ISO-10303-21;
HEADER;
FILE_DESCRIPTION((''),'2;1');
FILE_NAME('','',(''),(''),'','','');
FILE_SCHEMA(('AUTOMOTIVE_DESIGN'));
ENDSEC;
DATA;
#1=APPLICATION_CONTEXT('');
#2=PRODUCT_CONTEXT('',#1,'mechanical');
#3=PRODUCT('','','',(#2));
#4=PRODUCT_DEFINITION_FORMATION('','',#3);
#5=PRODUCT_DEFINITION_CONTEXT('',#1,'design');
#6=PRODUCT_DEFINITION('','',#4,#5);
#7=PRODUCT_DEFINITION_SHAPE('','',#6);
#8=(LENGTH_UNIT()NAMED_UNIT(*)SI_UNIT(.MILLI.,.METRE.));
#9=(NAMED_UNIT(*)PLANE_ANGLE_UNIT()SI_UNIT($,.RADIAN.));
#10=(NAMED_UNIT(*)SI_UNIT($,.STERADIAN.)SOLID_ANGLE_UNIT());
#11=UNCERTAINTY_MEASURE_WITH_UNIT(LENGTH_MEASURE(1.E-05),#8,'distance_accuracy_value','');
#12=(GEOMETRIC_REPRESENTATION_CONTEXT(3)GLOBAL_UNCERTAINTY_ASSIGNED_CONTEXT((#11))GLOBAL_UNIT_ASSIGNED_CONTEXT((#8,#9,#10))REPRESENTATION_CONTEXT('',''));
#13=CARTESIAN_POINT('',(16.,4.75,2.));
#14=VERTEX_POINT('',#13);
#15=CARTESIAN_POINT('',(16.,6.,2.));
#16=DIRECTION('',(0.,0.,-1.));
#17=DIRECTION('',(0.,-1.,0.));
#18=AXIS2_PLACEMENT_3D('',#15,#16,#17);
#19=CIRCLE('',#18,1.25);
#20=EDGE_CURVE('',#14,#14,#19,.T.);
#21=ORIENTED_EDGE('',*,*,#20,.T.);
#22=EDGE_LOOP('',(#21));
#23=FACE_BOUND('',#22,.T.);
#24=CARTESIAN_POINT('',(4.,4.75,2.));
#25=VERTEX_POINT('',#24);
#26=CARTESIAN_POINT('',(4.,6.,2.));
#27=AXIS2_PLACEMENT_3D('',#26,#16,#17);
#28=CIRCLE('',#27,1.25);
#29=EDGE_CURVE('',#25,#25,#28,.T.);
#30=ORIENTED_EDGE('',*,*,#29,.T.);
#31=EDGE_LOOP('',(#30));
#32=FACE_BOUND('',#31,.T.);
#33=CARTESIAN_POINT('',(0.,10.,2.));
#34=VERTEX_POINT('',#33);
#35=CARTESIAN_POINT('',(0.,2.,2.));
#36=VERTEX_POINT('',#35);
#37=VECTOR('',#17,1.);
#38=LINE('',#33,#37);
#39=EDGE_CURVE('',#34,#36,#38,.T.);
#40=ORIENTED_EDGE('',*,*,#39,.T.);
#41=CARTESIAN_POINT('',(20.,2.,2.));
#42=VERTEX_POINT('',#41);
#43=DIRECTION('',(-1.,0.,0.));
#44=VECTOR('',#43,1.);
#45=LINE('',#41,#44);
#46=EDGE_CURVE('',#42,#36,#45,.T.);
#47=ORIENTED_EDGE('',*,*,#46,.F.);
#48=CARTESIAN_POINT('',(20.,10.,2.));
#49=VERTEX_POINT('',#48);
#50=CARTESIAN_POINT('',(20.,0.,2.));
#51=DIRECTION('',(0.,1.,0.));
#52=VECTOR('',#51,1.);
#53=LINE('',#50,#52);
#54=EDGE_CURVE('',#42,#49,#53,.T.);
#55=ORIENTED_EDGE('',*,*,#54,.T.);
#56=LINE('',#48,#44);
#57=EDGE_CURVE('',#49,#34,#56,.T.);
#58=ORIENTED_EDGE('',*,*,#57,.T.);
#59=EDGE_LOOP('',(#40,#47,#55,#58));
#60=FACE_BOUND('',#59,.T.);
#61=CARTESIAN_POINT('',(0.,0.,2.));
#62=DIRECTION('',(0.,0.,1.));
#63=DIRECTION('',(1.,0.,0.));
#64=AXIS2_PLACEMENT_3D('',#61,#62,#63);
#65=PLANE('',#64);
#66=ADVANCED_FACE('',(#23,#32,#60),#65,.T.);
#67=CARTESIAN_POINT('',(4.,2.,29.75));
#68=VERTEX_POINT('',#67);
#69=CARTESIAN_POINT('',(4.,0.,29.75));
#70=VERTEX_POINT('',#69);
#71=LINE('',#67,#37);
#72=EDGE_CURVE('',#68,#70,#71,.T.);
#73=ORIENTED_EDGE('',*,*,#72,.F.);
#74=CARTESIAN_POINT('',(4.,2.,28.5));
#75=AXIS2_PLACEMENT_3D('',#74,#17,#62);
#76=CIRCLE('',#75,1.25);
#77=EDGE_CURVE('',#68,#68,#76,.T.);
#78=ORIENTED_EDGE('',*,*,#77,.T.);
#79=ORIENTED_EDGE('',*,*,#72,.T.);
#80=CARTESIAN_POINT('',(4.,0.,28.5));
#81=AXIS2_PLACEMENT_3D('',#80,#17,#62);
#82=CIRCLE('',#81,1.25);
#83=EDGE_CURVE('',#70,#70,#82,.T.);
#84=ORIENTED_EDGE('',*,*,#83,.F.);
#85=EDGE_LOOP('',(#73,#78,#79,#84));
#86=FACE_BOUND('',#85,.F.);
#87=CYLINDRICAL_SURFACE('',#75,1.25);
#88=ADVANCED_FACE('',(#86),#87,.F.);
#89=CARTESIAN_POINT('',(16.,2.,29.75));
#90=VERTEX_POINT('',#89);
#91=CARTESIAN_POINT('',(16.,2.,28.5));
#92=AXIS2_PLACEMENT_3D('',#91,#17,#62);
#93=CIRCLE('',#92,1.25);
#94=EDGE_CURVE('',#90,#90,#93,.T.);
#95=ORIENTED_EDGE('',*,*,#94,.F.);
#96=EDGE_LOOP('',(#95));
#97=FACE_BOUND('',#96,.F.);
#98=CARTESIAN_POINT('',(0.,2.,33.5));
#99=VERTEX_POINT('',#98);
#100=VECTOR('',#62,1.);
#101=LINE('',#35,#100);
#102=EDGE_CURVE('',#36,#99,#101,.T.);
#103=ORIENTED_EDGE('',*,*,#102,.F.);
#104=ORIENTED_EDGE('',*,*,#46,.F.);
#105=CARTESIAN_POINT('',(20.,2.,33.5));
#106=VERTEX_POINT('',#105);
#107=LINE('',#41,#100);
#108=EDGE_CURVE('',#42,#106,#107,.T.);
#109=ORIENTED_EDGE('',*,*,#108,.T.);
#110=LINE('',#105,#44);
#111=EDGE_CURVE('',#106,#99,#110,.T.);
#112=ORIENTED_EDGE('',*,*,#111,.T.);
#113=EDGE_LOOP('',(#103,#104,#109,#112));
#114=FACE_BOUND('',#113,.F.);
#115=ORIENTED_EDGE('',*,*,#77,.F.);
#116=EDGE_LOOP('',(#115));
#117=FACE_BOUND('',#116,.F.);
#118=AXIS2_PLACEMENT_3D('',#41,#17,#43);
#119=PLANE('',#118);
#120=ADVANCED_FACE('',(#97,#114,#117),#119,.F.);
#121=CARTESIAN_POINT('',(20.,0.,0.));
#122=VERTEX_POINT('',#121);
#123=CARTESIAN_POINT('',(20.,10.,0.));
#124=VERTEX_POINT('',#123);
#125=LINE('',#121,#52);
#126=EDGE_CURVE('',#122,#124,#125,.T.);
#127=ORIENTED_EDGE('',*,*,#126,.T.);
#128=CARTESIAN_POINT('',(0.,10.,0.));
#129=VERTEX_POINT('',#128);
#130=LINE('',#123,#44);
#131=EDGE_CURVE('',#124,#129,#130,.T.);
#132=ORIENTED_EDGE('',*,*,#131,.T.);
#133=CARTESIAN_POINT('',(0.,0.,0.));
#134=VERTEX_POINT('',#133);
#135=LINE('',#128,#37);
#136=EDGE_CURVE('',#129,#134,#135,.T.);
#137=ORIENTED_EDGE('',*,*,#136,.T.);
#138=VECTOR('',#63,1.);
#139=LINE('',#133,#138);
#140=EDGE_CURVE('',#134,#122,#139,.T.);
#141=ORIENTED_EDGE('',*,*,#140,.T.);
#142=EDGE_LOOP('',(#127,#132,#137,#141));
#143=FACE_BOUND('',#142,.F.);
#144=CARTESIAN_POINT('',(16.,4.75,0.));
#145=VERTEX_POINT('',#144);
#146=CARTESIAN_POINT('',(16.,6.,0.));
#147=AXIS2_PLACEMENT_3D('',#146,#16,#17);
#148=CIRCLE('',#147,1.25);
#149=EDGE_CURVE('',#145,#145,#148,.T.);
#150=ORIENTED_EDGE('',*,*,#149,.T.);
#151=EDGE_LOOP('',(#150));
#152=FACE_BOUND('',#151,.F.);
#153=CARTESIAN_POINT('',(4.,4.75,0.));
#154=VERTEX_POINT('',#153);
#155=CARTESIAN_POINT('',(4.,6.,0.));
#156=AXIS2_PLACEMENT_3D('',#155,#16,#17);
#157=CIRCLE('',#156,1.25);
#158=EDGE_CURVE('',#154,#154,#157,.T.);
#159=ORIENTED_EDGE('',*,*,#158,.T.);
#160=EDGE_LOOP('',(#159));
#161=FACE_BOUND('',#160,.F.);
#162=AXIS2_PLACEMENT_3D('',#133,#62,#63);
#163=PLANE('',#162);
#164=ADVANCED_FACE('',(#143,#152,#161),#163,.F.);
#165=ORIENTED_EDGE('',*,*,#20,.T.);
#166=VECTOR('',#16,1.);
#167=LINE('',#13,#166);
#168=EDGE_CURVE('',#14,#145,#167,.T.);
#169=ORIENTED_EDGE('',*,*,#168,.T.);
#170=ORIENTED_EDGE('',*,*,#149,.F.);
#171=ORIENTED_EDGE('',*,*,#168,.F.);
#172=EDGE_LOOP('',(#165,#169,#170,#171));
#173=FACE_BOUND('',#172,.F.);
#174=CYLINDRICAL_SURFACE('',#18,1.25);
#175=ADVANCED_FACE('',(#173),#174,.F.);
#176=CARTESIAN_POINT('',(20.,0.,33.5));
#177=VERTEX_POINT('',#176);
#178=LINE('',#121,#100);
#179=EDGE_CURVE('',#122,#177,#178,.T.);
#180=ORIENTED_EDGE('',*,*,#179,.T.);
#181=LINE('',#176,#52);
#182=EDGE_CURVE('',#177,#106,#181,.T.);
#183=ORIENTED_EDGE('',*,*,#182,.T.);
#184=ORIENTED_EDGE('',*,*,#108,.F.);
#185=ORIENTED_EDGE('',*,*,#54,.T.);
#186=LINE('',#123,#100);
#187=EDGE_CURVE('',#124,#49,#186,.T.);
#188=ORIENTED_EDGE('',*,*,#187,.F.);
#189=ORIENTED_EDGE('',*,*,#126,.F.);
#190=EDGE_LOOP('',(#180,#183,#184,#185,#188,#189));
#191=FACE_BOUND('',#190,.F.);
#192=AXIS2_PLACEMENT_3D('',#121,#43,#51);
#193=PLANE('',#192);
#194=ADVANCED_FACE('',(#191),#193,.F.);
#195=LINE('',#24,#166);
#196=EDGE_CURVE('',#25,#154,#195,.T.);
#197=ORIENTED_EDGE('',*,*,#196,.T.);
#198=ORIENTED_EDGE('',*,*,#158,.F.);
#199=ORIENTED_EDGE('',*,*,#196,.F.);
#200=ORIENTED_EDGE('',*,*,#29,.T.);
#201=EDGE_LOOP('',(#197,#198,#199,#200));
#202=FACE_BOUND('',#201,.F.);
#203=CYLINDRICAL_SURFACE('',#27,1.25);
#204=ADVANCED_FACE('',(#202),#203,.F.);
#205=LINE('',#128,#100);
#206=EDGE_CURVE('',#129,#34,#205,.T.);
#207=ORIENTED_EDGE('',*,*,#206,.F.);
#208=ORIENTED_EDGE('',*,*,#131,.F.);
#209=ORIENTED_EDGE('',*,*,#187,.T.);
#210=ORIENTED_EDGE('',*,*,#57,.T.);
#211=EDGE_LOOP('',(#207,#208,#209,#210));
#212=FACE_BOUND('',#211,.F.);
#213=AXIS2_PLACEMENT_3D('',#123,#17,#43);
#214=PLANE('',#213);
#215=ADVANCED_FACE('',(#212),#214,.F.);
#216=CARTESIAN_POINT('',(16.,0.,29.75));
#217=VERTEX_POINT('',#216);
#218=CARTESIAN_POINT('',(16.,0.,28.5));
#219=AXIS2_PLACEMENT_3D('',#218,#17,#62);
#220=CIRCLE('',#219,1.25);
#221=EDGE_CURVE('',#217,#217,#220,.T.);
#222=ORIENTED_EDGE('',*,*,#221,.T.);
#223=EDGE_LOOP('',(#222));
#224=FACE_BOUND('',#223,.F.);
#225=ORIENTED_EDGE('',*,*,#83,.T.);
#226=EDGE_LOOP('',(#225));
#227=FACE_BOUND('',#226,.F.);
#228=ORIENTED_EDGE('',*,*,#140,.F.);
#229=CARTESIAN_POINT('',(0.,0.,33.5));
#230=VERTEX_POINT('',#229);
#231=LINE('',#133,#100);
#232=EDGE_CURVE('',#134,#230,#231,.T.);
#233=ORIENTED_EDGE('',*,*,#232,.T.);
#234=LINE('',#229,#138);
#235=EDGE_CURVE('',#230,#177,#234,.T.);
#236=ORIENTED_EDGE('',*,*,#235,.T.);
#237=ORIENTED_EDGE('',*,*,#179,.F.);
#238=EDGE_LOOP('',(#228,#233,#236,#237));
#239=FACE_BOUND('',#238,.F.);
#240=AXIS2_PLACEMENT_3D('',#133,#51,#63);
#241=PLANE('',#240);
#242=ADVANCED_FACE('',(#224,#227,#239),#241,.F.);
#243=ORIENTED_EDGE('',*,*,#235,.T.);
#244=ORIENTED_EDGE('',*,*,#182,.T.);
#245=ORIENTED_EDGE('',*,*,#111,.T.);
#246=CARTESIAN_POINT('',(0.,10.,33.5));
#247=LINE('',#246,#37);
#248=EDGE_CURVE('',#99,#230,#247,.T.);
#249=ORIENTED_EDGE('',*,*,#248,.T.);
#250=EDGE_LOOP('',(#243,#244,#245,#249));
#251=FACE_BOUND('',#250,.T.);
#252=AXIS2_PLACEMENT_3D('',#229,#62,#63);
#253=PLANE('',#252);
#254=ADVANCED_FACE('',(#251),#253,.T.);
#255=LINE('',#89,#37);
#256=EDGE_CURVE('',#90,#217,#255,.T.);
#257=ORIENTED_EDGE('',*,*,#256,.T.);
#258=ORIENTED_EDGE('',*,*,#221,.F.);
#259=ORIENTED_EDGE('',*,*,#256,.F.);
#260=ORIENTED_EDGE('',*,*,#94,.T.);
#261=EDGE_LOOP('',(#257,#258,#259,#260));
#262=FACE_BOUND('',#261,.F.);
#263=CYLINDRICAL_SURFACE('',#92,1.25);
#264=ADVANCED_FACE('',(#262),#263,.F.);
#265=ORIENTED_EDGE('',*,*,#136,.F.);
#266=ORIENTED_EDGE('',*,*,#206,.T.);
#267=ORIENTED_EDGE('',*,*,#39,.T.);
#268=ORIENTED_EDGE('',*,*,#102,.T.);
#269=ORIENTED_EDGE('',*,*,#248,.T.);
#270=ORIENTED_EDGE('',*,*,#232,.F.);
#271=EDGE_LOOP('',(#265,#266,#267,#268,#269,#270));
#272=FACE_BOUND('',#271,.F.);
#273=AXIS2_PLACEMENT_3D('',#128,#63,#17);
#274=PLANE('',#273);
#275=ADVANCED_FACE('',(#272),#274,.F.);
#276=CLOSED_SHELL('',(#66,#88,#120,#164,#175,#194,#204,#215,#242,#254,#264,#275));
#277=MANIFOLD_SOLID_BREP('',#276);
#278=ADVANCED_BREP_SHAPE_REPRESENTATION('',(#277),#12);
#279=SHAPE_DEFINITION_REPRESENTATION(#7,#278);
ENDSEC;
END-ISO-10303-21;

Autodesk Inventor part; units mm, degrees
ref_plane "YZ Plane" through (0, 0, 0) normal (1, 0, 0) x (0, 1, 0)
ref_plane "XZ Plane" through (0, 0, 0) normal (0, 1, 0) x (-1, 0, 0)
ref_plane "XY Plane" through (0, 0, 0) normal (0, 0, 1) x (1, 0, 0)
sketch "スケッチ1" plane through (0, 0, 0) normal (0, 0, 1) x (1, 0, 0)
  line L0 (0, 0) -> (20, 0)
  line L1 (20, 0) -> (20, 10)
  line L2 (20, 10) -> (0, 10)
  line L3 (0, 10) -> (0, 0)
  dimension "d0" = 10
  dimension "d1" = 20
extrude "押し出し1" add sketch "スケッチ1" along normal blind 2
sketch "スケッチ2" plane through (0, 0, 2) normal (0, 0, 1) x (1, 0, 0)
  line L0 (0, 10) -> (0, 0) projected
  line L1 (20, 0) -> (20, 10) projected
  line L2 (0, 0) -> (20, 0)
  line L3 (20, 0) -> (20, 2)
  line L4 (20, 2) -> (0, 2)
  line L5 (0, 2) -> (0, 0)
  point P0 (0, 2)
  dimension "d4" = 2
extrude "押し出し2" add sketch "スケッチ2" along normal blind 31.5
sketch "スケッチ3" plane through (0, 0, 2) normal (0, 0, 1) x (1, 0, 0)
  line L0 (20, 2) -> (0, 2) projected
  line L1 (0, 0) -> (20, 0) projected
  line L2 (0, 10) -> (0, 2) projected
  point P0 (16, 6)
  point P1 (4, 6)
  dimension "d8" = 6
  dimension "d9" = 6
  dimension "d10" = 4
  dimension "d11" = 12
hole "穴1" at (16, 6, 2) at (4, 6, 2) direction (0, 0, -1) diameter 2.5 depth 25 tip angle 118
sketch "スケッチ4" plane through (0, 2, 2) normal (0, 1, 0) x (1, 0, 0)
  line L0 (20, -31.5) -> (0, -31.5) projected
  line L1 (0, 0) -> (0, -31.5) projected
  point P0 (0, 2)
  point P1 (4, -26.5)
  point P2 (16, -26.5)
  dimension "d19" = 5
  dimension "d20" = 5
  dimension "d21" = 12
  dimension "d22" = 4
hole "穴2" at (4, 2, 28.5) at (16, 2, 28.5) direction (0, -1, 0) diameter 2.5 depth 25 tip angle 118
properties part number "シリンダ固定"
